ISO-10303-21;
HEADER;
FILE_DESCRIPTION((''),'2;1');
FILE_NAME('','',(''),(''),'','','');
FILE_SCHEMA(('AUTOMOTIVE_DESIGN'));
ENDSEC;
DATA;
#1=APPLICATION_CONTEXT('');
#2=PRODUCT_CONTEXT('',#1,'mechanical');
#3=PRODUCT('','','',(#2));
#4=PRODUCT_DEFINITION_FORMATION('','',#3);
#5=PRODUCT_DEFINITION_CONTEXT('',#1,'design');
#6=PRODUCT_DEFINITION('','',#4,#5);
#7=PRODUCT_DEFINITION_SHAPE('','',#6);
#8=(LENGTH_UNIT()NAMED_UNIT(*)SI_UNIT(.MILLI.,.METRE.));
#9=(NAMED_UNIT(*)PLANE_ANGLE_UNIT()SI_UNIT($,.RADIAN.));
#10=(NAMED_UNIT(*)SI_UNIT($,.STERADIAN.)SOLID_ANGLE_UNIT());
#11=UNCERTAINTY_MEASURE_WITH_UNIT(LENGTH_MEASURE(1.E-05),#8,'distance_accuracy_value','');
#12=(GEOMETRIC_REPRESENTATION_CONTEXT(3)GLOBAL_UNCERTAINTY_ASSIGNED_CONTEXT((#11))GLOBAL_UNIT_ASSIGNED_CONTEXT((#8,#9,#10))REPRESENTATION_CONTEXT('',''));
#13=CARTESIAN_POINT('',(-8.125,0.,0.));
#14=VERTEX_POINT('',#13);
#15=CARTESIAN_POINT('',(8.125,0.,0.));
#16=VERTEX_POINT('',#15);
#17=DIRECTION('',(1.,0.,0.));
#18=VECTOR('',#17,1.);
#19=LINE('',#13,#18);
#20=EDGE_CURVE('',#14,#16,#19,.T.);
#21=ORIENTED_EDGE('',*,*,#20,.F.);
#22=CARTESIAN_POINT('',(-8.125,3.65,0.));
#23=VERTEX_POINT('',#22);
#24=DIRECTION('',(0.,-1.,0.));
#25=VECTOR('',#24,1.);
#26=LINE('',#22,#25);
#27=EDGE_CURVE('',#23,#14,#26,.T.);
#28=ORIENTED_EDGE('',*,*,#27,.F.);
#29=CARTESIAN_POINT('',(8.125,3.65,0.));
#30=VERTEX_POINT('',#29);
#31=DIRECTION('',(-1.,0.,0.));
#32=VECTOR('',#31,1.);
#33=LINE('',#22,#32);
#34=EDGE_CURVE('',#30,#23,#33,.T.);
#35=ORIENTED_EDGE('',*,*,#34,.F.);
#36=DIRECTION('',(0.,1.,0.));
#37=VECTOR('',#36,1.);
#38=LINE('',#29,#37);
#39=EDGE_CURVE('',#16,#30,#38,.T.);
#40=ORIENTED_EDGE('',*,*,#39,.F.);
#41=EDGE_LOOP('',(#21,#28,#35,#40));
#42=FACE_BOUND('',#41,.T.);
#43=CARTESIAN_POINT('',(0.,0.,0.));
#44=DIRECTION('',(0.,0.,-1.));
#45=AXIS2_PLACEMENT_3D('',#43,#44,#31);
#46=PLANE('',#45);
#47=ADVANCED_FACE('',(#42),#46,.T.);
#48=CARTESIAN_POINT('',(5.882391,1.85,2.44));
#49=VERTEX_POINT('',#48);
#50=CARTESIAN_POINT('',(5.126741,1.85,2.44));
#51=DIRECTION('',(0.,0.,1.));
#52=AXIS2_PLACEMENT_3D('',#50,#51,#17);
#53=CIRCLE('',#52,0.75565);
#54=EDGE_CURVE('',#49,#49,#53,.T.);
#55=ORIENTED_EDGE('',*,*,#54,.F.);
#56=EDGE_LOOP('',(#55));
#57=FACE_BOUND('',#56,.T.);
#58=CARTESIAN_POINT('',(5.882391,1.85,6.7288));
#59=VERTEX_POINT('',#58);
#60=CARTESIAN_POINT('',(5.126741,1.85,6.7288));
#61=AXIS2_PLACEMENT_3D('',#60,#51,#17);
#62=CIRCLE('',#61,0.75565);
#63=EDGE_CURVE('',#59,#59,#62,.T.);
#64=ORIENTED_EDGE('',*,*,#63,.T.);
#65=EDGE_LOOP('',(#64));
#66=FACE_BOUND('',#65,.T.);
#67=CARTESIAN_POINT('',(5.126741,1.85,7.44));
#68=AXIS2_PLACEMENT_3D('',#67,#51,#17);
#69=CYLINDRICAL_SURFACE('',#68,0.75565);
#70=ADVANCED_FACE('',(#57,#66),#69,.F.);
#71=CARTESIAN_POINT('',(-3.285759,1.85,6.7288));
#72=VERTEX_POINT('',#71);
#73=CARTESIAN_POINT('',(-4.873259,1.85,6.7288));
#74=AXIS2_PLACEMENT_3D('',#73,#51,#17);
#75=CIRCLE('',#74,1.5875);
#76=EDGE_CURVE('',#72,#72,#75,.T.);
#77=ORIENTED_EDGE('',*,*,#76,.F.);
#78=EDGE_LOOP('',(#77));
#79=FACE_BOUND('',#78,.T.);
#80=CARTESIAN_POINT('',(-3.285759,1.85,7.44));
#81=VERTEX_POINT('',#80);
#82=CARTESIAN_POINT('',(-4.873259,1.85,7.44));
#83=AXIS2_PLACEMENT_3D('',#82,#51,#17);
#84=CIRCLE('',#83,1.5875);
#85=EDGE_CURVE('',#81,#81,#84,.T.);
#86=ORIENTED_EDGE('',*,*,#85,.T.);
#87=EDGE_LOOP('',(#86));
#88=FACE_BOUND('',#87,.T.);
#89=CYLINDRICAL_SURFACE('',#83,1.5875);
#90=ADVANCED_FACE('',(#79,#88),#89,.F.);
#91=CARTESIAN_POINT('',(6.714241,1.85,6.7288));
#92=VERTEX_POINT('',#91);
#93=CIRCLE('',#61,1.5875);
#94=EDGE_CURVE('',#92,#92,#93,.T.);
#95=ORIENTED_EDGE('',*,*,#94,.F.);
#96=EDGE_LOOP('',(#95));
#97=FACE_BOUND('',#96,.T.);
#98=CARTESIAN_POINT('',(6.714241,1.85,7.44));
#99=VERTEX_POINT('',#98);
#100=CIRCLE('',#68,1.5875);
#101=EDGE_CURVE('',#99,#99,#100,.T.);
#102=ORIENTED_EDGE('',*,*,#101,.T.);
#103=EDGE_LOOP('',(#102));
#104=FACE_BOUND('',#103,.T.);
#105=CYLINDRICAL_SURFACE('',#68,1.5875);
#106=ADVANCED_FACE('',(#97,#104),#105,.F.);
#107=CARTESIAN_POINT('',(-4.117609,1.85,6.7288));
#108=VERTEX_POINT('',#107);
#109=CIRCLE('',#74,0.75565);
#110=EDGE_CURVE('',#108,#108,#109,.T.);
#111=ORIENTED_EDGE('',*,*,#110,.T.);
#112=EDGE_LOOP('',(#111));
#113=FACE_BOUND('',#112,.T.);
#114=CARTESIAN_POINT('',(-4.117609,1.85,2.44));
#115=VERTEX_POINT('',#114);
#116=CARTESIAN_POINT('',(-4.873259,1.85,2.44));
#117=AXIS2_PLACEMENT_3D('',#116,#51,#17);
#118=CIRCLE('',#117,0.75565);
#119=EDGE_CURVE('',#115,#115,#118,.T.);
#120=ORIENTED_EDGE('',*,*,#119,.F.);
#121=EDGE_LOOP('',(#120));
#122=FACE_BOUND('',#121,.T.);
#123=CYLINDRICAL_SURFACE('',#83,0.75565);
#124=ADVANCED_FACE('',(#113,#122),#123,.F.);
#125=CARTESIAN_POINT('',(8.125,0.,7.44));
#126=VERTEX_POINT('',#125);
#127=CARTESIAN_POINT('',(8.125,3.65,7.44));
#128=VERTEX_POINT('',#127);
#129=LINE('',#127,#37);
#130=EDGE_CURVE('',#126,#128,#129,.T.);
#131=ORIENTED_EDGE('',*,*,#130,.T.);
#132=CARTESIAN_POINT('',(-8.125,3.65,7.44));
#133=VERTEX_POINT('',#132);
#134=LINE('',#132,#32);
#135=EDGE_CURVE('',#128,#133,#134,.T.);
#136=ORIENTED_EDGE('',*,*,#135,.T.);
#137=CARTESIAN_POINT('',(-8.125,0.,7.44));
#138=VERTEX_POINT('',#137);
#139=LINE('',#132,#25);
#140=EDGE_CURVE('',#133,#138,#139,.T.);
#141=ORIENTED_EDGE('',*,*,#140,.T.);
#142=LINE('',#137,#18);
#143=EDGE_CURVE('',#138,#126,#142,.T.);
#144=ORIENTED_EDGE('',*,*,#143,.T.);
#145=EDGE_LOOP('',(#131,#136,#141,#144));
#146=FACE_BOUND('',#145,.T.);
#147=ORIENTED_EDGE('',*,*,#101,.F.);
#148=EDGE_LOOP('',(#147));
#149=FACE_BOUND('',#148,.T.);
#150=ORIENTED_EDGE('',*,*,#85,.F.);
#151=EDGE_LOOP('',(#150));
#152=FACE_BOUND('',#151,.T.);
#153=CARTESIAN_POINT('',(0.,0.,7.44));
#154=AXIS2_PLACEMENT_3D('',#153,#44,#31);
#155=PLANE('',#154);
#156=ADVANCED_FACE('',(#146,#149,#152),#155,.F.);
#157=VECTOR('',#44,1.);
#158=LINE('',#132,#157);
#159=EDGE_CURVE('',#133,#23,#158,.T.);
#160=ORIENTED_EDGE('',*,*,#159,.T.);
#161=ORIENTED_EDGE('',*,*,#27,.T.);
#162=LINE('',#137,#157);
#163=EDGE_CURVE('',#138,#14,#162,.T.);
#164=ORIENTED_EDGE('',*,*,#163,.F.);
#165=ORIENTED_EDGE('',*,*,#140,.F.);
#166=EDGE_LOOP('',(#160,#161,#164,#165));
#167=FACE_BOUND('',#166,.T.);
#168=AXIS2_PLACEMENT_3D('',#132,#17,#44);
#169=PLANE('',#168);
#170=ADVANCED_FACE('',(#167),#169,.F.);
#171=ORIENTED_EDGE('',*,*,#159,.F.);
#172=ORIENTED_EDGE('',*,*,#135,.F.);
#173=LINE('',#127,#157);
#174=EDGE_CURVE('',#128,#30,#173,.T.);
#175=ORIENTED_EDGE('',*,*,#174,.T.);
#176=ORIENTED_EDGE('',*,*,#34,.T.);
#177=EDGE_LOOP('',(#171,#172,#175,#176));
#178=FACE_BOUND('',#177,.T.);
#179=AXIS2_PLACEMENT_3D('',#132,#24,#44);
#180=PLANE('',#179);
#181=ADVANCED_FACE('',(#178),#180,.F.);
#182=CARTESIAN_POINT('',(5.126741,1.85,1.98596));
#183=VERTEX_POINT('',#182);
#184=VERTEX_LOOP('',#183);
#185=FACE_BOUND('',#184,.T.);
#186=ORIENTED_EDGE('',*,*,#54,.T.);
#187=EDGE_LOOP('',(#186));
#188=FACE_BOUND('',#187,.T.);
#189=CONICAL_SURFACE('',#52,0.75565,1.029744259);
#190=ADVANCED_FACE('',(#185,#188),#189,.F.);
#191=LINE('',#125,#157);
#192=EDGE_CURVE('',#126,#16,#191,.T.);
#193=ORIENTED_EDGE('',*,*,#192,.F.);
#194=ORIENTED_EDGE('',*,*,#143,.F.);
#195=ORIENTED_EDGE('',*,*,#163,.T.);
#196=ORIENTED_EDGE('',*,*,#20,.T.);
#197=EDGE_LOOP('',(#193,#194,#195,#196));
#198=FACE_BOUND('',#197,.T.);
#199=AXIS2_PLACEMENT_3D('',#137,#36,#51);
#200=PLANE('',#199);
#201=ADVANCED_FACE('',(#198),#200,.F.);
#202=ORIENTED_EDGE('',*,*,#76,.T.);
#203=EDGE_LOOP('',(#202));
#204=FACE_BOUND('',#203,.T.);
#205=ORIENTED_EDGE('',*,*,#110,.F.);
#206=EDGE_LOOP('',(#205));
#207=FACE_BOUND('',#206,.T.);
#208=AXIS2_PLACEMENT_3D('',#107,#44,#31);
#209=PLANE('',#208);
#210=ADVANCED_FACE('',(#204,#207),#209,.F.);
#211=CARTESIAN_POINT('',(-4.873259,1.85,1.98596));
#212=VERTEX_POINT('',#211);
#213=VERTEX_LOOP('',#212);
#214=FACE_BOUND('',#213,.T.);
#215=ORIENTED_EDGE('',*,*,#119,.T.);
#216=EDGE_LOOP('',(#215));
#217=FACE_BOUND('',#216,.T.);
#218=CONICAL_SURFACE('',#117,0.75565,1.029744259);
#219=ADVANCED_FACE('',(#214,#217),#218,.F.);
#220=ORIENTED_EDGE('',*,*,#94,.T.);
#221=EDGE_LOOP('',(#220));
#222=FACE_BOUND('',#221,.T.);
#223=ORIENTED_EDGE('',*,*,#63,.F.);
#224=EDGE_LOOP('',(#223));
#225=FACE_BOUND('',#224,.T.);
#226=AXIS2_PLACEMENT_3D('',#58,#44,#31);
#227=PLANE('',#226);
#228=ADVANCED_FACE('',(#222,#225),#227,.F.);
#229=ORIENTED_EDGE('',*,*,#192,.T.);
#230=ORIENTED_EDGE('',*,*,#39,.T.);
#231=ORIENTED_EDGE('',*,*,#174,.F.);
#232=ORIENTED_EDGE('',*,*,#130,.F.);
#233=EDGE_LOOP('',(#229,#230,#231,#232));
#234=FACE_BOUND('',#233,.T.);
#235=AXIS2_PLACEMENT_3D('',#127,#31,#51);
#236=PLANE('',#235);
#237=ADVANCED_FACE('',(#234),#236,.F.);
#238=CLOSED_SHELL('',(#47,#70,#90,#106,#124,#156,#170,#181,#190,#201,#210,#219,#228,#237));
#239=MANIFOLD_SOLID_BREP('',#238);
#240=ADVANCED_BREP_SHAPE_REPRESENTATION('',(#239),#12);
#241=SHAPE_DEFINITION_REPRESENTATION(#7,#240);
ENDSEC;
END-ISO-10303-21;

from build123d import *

# Parameters (mm, degrees)
SKETCH1_W                                           = 16.25
SKETCH1_H                                           = 3.65
BOSS_EXTRUDE1_DEPTH                                 = 7.44
CBORE_FOR_00_BINDING_HEAD_MACHINE_SCREW_D           = 1.5113
CBORE_FOR_00_BINDING_HEAD_MACHINE_SCREW_DEPTH       = 5
CBORE_FOR_00_BINDING_HEAD_MACHINE_SCREW_CBORE_D     = 3.175
CBORE_FOR_00_BINDING_HEAD_MACHINE_SCREW_CBORE_DEPTH = 0.7112
CBORE_FOR_00_BINDING_HEAD_MACHINE_SCREW_TIP         = 0.454040327


with BuildPart() as part:
    # Sketch1 → Boss-Extrude1 (new body)
    with BuildSketch(Plane.XY):
        with Locations((0, 1.825)):
            Rectangle(SKETCH1_W, SKETCH1_H)
    extrude(amount=BOSS_EXTRUDE1_DEPTH)

    # CBORE for #00 Binding Head Machine Screw1
    with Locations(Plane.XY.offset(7.44)):
        with Locations((-4.873259483, 1.85), (5.126740517, 1.85)):
            CounterBoreHole(CBORE_FOR_00_BINDING_HEAD_MACHINE_SCREW_D / 2, CBORE_FOR_00_BINDING_HEAD_MACHINE_SCREW_CBORE_D / 2, CBORE_FOR_00_BINDING_HEAD_MACHINE_SCREW_CBORE_DEPTH, depth=CBORE_FOR_00_BINDING_HEAD_MACHINE_SCREW_DEPTH)
            with Locations((0, 0, -(CBORE_FOR_00_BINDING_HEAD_MACHINE_SCREW_DEPTH + CBORE_FOR_00_BINDING_HEAD_MACHINE_SCREW_TIP / 2))):  # 118° drill point
                Cone(0, CBORE_FOR_00_BINDING_HEAD_MACHINE_SCREW_D / 2, CBORE_FOR_00_BINDING_HEAD_MACHINE_SCREW_TIP, mode=Mode.SUBTRACT)


solid = part.part
